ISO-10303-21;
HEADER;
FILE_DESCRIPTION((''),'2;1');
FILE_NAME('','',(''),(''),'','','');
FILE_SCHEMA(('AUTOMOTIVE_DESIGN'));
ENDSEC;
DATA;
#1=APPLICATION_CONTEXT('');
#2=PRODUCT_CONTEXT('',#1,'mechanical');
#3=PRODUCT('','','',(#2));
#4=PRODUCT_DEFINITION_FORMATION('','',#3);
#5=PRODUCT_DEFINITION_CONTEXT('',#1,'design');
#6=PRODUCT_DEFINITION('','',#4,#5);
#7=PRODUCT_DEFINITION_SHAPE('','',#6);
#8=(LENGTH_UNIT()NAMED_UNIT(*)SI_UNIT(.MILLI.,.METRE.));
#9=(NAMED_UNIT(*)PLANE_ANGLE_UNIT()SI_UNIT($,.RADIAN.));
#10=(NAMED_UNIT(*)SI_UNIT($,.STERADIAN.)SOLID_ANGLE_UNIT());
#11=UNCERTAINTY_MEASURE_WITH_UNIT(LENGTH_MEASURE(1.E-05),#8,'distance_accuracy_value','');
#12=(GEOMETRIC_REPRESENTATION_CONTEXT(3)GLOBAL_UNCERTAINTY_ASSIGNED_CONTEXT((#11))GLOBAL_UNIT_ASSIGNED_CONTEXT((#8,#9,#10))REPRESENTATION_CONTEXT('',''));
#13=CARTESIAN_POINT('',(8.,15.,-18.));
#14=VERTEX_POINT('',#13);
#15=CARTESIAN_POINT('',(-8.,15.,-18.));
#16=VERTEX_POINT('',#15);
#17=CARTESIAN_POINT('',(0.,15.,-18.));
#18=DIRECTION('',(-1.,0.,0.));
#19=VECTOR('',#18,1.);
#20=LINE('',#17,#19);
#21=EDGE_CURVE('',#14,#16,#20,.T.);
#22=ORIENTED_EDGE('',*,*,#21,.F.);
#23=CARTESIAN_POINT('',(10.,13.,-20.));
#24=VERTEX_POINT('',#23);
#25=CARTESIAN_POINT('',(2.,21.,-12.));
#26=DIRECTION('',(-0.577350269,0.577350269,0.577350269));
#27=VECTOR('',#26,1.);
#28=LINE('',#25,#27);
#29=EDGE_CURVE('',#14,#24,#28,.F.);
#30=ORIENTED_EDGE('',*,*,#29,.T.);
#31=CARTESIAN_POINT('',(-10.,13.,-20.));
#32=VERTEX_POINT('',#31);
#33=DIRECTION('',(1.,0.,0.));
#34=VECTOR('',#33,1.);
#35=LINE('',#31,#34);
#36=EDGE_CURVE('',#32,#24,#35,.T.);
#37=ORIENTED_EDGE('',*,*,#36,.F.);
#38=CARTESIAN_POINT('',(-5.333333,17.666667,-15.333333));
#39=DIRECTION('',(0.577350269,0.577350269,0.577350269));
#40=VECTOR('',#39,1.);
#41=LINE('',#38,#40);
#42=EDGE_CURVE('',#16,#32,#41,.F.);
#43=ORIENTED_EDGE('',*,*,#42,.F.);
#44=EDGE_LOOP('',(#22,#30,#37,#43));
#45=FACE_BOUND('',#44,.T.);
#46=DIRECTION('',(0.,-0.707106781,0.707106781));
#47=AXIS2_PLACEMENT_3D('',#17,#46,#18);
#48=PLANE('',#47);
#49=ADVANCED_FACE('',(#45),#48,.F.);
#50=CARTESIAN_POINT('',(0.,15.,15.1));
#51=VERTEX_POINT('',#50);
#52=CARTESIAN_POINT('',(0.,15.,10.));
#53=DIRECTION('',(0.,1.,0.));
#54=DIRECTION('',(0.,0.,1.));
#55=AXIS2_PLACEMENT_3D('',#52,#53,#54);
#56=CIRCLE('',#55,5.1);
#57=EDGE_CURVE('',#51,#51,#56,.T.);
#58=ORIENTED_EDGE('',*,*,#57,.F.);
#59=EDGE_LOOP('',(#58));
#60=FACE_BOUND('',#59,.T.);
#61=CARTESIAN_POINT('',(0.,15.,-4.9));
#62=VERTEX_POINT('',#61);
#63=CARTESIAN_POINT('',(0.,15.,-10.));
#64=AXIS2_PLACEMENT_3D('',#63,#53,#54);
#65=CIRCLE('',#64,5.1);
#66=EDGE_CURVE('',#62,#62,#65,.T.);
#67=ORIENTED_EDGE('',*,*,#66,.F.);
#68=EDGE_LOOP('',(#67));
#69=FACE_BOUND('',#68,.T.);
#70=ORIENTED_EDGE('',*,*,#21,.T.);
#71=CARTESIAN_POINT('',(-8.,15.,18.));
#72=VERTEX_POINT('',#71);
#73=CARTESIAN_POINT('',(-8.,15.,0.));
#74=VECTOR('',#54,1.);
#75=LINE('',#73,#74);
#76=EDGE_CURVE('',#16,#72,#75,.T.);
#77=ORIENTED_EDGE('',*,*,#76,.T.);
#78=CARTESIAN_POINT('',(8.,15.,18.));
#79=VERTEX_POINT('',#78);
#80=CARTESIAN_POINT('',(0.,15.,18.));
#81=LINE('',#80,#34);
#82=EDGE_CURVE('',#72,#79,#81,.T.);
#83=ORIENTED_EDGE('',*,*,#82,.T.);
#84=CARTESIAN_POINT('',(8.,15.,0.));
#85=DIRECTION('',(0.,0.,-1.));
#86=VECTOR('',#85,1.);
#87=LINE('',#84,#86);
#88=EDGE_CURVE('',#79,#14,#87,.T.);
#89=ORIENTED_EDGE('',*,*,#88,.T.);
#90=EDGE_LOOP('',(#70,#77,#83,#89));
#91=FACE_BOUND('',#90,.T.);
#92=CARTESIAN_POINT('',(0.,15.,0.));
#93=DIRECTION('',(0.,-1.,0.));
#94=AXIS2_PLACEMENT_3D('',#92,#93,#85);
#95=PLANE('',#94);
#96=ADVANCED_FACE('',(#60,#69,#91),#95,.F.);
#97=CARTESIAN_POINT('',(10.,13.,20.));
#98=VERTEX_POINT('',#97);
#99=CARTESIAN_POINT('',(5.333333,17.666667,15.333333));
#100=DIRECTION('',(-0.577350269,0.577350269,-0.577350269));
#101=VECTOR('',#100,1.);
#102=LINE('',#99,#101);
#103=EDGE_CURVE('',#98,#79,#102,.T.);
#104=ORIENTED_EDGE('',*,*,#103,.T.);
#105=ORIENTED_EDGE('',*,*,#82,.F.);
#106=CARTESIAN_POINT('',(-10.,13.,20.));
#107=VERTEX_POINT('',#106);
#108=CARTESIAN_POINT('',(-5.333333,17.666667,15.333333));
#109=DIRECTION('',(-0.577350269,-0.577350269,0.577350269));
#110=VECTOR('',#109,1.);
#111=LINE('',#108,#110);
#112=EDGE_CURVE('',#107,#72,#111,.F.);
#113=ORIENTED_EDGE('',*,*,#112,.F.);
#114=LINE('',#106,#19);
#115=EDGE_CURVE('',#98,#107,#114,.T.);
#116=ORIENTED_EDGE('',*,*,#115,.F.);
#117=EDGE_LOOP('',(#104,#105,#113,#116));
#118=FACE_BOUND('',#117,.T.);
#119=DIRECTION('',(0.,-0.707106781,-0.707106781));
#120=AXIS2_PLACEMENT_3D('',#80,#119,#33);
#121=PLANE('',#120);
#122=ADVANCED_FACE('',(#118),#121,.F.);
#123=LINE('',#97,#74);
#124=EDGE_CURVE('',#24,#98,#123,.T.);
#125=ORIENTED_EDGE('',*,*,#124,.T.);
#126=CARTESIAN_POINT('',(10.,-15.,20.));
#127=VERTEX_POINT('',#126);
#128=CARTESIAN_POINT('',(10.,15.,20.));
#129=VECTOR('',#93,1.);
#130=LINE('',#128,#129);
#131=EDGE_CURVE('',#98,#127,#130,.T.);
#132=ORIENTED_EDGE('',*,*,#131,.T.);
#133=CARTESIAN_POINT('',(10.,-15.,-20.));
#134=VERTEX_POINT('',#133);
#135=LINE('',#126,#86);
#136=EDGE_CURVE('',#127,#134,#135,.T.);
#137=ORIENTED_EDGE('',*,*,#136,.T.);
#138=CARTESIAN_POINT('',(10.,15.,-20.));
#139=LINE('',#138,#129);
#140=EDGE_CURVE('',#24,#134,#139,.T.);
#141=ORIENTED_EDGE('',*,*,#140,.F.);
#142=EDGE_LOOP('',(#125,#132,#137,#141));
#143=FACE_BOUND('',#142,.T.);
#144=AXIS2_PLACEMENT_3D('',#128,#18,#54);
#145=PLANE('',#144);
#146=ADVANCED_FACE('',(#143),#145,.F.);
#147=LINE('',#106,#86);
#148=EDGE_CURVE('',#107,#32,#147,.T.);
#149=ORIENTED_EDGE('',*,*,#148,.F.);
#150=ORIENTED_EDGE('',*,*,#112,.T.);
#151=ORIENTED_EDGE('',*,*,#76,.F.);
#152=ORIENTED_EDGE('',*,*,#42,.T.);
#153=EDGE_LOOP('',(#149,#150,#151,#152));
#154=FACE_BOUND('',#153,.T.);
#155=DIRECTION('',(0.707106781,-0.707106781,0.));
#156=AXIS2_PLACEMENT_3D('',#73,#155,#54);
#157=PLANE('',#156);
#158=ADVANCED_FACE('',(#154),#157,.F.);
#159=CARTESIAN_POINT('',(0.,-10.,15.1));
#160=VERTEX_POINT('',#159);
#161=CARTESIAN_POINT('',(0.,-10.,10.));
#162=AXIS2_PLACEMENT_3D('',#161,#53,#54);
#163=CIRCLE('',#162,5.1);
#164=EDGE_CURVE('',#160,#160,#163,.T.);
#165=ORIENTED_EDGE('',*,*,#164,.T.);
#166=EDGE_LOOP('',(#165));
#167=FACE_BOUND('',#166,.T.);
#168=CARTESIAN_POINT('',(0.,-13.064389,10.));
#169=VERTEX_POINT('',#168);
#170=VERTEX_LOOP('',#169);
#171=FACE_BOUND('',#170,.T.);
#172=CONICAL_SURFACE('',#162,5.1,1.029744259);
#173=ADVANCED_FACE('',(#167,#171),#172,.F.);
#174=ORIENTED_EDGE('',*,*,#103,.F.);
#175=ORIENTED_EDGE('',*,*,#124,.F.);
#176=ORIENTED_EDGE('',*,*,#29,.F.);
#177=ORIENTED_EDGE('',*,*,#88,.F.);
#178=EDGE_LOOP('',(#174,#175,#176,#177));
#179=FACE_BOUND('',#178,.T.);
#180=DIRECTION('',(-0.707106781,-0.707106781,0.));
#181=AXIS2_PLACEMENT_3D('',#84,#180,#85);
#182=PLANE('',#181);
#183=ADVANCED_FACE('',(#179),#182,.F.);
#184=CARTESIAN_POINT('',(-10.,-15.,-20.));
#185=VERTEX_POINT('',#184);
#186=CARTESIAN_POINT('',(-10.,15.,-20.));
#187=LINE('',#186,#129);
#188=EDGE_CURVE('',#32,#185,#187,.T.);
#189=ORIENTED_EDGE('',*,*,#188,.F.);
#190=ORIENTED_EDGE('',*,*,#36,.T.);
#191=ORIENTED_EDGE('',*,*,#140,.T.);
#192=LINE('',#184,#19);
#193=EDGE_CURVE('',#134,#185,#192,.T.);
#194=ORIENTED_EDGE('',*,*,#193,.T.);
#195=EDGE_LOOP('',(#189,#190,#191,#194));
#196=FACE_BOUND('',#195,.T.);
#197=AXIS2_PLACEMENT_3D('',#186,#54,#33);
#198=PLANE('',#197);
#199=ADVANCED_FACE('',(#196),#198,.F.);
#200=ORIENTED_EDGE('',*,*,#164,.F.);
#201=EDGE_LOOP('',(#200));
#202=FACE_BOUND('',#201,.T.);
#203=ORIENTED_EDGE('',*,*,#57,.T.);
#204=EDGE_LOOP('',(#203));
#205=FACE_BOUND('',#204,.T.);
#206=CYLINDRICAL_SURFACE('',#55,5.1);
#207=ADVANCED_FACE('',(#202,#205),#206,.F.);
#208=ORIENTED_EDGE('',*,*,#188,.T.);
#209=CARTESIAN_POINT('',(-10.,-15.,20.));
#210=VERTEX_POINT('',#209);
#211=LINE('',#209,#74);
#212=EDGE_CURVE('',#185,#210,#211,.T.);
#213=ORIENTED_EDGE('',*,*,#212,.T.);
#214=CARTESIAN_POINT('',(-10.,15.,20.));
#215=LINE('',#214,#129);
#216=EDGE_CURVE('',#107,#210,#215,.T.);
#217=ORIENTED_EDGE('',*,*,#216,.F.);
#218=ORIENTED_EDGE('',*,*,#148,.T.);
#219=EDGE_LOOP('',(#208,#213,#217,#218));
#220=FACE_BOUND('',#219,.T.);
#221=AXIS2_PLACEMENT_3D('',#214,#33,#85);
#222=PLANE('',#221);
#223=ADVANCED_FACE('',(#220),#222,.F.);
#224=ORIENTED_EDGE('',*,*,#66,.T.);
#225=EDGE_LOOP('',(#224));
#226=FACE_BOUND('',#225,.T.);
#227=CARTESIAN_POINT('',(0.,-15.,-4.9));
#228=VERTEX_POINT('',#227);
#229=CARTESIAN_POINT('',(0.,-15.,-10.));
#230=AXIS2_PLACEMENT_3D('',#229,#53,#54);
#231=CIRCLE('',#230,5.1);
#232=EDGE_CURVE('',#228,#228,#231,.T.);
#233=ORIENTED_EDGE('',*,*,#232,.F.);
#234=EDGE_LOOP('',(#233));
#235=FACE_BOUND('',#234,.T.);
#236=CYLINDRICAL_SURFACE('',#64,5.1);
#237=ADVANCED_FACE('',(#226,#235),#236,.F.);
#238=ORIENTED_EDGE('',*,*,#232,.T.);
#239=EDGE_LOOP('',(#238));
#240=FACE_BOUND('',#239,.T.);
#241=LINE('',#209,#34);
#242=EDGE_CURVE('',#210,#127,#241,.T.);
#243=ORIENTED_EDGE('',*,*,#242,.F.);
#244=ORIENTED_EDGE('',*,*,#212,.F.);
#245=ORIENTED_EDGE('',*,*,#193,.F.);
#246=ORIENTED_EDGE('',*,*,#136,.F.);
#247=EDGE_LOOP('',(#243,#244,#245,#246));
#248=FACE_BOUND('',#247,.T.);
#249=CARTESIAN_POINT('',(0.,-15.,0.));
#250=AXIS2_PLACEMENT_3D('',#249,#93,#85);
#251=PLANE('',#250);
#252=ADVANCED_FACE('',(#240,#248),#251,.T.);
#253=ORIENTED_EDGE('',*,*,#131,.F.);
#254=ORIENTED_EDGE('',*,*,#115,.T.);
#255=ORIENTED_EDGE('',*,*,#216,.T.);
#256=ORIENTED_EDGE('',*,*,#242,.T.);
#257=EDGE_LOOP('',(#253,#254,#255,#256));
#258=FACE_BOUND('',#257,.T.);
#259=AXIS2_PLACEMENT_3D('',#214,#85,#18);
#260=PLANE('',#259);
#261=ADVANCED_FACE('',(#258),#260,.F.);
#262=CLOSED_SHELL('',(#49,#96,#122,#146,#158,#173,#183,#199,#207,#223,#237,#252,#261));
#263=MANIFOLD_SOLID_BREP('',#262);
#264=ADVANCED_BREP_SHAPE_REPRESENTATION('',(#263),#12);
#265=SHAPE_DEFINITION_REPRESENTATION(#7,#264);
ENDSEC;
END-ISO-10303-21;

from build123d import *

# Parameters (mm, degrees)
ESBO_O1_W                  = 20
ESBO_O1_H                  = 40
RESSALTO_EXTRUS_O1_DEPTH   = 15
FURO_ROSCADO_DE_M121_D     = 10.2
FURO_ROSCADO_DE_M122_D     = 10.2
FURO_ROSCADO_DE_M122_DEPTH = 25
FURO_ROSCADO_DE_M122_TIP   = 3.064389157
CHANFRO2_SIZE              = 2


with BuildPart() as part:
    # Esboço1 → Ressalto-extrusão1 (new, symmetric)
    with BuildSketch(Plane(origin=(0, 0, 0), x_dir=(1, 0, 0), z_dir=(0, 1, 0))):
        Rectangle(ESBO_O1_W, ESBO_O1_H)
    extrude(amount=RESSALTO_EXTRUS_O1_DEPTH, both=True)

    # Furo roscado de M121 (through all)
    with Locations(Plane(origin=(0, 15, 0), x_dir=(1, 0, 0), z_dir=(0, 1, 0))):
        with Locations((0, 10)):
            Hole(FURO_ROSCADO_DE_M121_D / 2)

    # Furo roscado de M122
    with Locations(Plane(origin=(0, 15, 0), x_dir=(1, 0, 0), z_dir=(0, 1, 0))):
        with Locations((0, -10)):
            Hole(FURO_ROSCADO_DE_M122_D / 2, depth=FURO_ROSCADO_DE_M122_DEPTH)
            with Locations((0, 0, -(FURO_ROSCADO_DE_M122_DEPTH + FURO_ROSCADO_DE_M122_TIP / 2))):  # 118° drill point
                Cone(0, FURO_ROSCADO_DE_M122_D / 2, FURO_ROSCADO_DE_M122_TIP, mode=Mode.SUBTRACT)

    # Chanfro2
    chanfro2_edges = [part.edges().sort_by_distance(p)[0] for p in [
        (-10, 15, 0),
        (0, 15, 20),
        (10, 15, 0),
        (0, 15, -20),
    ]]
    chamfer(chanfro2_edges, length=CHANFRO2_SIZE)


solid = part.part
